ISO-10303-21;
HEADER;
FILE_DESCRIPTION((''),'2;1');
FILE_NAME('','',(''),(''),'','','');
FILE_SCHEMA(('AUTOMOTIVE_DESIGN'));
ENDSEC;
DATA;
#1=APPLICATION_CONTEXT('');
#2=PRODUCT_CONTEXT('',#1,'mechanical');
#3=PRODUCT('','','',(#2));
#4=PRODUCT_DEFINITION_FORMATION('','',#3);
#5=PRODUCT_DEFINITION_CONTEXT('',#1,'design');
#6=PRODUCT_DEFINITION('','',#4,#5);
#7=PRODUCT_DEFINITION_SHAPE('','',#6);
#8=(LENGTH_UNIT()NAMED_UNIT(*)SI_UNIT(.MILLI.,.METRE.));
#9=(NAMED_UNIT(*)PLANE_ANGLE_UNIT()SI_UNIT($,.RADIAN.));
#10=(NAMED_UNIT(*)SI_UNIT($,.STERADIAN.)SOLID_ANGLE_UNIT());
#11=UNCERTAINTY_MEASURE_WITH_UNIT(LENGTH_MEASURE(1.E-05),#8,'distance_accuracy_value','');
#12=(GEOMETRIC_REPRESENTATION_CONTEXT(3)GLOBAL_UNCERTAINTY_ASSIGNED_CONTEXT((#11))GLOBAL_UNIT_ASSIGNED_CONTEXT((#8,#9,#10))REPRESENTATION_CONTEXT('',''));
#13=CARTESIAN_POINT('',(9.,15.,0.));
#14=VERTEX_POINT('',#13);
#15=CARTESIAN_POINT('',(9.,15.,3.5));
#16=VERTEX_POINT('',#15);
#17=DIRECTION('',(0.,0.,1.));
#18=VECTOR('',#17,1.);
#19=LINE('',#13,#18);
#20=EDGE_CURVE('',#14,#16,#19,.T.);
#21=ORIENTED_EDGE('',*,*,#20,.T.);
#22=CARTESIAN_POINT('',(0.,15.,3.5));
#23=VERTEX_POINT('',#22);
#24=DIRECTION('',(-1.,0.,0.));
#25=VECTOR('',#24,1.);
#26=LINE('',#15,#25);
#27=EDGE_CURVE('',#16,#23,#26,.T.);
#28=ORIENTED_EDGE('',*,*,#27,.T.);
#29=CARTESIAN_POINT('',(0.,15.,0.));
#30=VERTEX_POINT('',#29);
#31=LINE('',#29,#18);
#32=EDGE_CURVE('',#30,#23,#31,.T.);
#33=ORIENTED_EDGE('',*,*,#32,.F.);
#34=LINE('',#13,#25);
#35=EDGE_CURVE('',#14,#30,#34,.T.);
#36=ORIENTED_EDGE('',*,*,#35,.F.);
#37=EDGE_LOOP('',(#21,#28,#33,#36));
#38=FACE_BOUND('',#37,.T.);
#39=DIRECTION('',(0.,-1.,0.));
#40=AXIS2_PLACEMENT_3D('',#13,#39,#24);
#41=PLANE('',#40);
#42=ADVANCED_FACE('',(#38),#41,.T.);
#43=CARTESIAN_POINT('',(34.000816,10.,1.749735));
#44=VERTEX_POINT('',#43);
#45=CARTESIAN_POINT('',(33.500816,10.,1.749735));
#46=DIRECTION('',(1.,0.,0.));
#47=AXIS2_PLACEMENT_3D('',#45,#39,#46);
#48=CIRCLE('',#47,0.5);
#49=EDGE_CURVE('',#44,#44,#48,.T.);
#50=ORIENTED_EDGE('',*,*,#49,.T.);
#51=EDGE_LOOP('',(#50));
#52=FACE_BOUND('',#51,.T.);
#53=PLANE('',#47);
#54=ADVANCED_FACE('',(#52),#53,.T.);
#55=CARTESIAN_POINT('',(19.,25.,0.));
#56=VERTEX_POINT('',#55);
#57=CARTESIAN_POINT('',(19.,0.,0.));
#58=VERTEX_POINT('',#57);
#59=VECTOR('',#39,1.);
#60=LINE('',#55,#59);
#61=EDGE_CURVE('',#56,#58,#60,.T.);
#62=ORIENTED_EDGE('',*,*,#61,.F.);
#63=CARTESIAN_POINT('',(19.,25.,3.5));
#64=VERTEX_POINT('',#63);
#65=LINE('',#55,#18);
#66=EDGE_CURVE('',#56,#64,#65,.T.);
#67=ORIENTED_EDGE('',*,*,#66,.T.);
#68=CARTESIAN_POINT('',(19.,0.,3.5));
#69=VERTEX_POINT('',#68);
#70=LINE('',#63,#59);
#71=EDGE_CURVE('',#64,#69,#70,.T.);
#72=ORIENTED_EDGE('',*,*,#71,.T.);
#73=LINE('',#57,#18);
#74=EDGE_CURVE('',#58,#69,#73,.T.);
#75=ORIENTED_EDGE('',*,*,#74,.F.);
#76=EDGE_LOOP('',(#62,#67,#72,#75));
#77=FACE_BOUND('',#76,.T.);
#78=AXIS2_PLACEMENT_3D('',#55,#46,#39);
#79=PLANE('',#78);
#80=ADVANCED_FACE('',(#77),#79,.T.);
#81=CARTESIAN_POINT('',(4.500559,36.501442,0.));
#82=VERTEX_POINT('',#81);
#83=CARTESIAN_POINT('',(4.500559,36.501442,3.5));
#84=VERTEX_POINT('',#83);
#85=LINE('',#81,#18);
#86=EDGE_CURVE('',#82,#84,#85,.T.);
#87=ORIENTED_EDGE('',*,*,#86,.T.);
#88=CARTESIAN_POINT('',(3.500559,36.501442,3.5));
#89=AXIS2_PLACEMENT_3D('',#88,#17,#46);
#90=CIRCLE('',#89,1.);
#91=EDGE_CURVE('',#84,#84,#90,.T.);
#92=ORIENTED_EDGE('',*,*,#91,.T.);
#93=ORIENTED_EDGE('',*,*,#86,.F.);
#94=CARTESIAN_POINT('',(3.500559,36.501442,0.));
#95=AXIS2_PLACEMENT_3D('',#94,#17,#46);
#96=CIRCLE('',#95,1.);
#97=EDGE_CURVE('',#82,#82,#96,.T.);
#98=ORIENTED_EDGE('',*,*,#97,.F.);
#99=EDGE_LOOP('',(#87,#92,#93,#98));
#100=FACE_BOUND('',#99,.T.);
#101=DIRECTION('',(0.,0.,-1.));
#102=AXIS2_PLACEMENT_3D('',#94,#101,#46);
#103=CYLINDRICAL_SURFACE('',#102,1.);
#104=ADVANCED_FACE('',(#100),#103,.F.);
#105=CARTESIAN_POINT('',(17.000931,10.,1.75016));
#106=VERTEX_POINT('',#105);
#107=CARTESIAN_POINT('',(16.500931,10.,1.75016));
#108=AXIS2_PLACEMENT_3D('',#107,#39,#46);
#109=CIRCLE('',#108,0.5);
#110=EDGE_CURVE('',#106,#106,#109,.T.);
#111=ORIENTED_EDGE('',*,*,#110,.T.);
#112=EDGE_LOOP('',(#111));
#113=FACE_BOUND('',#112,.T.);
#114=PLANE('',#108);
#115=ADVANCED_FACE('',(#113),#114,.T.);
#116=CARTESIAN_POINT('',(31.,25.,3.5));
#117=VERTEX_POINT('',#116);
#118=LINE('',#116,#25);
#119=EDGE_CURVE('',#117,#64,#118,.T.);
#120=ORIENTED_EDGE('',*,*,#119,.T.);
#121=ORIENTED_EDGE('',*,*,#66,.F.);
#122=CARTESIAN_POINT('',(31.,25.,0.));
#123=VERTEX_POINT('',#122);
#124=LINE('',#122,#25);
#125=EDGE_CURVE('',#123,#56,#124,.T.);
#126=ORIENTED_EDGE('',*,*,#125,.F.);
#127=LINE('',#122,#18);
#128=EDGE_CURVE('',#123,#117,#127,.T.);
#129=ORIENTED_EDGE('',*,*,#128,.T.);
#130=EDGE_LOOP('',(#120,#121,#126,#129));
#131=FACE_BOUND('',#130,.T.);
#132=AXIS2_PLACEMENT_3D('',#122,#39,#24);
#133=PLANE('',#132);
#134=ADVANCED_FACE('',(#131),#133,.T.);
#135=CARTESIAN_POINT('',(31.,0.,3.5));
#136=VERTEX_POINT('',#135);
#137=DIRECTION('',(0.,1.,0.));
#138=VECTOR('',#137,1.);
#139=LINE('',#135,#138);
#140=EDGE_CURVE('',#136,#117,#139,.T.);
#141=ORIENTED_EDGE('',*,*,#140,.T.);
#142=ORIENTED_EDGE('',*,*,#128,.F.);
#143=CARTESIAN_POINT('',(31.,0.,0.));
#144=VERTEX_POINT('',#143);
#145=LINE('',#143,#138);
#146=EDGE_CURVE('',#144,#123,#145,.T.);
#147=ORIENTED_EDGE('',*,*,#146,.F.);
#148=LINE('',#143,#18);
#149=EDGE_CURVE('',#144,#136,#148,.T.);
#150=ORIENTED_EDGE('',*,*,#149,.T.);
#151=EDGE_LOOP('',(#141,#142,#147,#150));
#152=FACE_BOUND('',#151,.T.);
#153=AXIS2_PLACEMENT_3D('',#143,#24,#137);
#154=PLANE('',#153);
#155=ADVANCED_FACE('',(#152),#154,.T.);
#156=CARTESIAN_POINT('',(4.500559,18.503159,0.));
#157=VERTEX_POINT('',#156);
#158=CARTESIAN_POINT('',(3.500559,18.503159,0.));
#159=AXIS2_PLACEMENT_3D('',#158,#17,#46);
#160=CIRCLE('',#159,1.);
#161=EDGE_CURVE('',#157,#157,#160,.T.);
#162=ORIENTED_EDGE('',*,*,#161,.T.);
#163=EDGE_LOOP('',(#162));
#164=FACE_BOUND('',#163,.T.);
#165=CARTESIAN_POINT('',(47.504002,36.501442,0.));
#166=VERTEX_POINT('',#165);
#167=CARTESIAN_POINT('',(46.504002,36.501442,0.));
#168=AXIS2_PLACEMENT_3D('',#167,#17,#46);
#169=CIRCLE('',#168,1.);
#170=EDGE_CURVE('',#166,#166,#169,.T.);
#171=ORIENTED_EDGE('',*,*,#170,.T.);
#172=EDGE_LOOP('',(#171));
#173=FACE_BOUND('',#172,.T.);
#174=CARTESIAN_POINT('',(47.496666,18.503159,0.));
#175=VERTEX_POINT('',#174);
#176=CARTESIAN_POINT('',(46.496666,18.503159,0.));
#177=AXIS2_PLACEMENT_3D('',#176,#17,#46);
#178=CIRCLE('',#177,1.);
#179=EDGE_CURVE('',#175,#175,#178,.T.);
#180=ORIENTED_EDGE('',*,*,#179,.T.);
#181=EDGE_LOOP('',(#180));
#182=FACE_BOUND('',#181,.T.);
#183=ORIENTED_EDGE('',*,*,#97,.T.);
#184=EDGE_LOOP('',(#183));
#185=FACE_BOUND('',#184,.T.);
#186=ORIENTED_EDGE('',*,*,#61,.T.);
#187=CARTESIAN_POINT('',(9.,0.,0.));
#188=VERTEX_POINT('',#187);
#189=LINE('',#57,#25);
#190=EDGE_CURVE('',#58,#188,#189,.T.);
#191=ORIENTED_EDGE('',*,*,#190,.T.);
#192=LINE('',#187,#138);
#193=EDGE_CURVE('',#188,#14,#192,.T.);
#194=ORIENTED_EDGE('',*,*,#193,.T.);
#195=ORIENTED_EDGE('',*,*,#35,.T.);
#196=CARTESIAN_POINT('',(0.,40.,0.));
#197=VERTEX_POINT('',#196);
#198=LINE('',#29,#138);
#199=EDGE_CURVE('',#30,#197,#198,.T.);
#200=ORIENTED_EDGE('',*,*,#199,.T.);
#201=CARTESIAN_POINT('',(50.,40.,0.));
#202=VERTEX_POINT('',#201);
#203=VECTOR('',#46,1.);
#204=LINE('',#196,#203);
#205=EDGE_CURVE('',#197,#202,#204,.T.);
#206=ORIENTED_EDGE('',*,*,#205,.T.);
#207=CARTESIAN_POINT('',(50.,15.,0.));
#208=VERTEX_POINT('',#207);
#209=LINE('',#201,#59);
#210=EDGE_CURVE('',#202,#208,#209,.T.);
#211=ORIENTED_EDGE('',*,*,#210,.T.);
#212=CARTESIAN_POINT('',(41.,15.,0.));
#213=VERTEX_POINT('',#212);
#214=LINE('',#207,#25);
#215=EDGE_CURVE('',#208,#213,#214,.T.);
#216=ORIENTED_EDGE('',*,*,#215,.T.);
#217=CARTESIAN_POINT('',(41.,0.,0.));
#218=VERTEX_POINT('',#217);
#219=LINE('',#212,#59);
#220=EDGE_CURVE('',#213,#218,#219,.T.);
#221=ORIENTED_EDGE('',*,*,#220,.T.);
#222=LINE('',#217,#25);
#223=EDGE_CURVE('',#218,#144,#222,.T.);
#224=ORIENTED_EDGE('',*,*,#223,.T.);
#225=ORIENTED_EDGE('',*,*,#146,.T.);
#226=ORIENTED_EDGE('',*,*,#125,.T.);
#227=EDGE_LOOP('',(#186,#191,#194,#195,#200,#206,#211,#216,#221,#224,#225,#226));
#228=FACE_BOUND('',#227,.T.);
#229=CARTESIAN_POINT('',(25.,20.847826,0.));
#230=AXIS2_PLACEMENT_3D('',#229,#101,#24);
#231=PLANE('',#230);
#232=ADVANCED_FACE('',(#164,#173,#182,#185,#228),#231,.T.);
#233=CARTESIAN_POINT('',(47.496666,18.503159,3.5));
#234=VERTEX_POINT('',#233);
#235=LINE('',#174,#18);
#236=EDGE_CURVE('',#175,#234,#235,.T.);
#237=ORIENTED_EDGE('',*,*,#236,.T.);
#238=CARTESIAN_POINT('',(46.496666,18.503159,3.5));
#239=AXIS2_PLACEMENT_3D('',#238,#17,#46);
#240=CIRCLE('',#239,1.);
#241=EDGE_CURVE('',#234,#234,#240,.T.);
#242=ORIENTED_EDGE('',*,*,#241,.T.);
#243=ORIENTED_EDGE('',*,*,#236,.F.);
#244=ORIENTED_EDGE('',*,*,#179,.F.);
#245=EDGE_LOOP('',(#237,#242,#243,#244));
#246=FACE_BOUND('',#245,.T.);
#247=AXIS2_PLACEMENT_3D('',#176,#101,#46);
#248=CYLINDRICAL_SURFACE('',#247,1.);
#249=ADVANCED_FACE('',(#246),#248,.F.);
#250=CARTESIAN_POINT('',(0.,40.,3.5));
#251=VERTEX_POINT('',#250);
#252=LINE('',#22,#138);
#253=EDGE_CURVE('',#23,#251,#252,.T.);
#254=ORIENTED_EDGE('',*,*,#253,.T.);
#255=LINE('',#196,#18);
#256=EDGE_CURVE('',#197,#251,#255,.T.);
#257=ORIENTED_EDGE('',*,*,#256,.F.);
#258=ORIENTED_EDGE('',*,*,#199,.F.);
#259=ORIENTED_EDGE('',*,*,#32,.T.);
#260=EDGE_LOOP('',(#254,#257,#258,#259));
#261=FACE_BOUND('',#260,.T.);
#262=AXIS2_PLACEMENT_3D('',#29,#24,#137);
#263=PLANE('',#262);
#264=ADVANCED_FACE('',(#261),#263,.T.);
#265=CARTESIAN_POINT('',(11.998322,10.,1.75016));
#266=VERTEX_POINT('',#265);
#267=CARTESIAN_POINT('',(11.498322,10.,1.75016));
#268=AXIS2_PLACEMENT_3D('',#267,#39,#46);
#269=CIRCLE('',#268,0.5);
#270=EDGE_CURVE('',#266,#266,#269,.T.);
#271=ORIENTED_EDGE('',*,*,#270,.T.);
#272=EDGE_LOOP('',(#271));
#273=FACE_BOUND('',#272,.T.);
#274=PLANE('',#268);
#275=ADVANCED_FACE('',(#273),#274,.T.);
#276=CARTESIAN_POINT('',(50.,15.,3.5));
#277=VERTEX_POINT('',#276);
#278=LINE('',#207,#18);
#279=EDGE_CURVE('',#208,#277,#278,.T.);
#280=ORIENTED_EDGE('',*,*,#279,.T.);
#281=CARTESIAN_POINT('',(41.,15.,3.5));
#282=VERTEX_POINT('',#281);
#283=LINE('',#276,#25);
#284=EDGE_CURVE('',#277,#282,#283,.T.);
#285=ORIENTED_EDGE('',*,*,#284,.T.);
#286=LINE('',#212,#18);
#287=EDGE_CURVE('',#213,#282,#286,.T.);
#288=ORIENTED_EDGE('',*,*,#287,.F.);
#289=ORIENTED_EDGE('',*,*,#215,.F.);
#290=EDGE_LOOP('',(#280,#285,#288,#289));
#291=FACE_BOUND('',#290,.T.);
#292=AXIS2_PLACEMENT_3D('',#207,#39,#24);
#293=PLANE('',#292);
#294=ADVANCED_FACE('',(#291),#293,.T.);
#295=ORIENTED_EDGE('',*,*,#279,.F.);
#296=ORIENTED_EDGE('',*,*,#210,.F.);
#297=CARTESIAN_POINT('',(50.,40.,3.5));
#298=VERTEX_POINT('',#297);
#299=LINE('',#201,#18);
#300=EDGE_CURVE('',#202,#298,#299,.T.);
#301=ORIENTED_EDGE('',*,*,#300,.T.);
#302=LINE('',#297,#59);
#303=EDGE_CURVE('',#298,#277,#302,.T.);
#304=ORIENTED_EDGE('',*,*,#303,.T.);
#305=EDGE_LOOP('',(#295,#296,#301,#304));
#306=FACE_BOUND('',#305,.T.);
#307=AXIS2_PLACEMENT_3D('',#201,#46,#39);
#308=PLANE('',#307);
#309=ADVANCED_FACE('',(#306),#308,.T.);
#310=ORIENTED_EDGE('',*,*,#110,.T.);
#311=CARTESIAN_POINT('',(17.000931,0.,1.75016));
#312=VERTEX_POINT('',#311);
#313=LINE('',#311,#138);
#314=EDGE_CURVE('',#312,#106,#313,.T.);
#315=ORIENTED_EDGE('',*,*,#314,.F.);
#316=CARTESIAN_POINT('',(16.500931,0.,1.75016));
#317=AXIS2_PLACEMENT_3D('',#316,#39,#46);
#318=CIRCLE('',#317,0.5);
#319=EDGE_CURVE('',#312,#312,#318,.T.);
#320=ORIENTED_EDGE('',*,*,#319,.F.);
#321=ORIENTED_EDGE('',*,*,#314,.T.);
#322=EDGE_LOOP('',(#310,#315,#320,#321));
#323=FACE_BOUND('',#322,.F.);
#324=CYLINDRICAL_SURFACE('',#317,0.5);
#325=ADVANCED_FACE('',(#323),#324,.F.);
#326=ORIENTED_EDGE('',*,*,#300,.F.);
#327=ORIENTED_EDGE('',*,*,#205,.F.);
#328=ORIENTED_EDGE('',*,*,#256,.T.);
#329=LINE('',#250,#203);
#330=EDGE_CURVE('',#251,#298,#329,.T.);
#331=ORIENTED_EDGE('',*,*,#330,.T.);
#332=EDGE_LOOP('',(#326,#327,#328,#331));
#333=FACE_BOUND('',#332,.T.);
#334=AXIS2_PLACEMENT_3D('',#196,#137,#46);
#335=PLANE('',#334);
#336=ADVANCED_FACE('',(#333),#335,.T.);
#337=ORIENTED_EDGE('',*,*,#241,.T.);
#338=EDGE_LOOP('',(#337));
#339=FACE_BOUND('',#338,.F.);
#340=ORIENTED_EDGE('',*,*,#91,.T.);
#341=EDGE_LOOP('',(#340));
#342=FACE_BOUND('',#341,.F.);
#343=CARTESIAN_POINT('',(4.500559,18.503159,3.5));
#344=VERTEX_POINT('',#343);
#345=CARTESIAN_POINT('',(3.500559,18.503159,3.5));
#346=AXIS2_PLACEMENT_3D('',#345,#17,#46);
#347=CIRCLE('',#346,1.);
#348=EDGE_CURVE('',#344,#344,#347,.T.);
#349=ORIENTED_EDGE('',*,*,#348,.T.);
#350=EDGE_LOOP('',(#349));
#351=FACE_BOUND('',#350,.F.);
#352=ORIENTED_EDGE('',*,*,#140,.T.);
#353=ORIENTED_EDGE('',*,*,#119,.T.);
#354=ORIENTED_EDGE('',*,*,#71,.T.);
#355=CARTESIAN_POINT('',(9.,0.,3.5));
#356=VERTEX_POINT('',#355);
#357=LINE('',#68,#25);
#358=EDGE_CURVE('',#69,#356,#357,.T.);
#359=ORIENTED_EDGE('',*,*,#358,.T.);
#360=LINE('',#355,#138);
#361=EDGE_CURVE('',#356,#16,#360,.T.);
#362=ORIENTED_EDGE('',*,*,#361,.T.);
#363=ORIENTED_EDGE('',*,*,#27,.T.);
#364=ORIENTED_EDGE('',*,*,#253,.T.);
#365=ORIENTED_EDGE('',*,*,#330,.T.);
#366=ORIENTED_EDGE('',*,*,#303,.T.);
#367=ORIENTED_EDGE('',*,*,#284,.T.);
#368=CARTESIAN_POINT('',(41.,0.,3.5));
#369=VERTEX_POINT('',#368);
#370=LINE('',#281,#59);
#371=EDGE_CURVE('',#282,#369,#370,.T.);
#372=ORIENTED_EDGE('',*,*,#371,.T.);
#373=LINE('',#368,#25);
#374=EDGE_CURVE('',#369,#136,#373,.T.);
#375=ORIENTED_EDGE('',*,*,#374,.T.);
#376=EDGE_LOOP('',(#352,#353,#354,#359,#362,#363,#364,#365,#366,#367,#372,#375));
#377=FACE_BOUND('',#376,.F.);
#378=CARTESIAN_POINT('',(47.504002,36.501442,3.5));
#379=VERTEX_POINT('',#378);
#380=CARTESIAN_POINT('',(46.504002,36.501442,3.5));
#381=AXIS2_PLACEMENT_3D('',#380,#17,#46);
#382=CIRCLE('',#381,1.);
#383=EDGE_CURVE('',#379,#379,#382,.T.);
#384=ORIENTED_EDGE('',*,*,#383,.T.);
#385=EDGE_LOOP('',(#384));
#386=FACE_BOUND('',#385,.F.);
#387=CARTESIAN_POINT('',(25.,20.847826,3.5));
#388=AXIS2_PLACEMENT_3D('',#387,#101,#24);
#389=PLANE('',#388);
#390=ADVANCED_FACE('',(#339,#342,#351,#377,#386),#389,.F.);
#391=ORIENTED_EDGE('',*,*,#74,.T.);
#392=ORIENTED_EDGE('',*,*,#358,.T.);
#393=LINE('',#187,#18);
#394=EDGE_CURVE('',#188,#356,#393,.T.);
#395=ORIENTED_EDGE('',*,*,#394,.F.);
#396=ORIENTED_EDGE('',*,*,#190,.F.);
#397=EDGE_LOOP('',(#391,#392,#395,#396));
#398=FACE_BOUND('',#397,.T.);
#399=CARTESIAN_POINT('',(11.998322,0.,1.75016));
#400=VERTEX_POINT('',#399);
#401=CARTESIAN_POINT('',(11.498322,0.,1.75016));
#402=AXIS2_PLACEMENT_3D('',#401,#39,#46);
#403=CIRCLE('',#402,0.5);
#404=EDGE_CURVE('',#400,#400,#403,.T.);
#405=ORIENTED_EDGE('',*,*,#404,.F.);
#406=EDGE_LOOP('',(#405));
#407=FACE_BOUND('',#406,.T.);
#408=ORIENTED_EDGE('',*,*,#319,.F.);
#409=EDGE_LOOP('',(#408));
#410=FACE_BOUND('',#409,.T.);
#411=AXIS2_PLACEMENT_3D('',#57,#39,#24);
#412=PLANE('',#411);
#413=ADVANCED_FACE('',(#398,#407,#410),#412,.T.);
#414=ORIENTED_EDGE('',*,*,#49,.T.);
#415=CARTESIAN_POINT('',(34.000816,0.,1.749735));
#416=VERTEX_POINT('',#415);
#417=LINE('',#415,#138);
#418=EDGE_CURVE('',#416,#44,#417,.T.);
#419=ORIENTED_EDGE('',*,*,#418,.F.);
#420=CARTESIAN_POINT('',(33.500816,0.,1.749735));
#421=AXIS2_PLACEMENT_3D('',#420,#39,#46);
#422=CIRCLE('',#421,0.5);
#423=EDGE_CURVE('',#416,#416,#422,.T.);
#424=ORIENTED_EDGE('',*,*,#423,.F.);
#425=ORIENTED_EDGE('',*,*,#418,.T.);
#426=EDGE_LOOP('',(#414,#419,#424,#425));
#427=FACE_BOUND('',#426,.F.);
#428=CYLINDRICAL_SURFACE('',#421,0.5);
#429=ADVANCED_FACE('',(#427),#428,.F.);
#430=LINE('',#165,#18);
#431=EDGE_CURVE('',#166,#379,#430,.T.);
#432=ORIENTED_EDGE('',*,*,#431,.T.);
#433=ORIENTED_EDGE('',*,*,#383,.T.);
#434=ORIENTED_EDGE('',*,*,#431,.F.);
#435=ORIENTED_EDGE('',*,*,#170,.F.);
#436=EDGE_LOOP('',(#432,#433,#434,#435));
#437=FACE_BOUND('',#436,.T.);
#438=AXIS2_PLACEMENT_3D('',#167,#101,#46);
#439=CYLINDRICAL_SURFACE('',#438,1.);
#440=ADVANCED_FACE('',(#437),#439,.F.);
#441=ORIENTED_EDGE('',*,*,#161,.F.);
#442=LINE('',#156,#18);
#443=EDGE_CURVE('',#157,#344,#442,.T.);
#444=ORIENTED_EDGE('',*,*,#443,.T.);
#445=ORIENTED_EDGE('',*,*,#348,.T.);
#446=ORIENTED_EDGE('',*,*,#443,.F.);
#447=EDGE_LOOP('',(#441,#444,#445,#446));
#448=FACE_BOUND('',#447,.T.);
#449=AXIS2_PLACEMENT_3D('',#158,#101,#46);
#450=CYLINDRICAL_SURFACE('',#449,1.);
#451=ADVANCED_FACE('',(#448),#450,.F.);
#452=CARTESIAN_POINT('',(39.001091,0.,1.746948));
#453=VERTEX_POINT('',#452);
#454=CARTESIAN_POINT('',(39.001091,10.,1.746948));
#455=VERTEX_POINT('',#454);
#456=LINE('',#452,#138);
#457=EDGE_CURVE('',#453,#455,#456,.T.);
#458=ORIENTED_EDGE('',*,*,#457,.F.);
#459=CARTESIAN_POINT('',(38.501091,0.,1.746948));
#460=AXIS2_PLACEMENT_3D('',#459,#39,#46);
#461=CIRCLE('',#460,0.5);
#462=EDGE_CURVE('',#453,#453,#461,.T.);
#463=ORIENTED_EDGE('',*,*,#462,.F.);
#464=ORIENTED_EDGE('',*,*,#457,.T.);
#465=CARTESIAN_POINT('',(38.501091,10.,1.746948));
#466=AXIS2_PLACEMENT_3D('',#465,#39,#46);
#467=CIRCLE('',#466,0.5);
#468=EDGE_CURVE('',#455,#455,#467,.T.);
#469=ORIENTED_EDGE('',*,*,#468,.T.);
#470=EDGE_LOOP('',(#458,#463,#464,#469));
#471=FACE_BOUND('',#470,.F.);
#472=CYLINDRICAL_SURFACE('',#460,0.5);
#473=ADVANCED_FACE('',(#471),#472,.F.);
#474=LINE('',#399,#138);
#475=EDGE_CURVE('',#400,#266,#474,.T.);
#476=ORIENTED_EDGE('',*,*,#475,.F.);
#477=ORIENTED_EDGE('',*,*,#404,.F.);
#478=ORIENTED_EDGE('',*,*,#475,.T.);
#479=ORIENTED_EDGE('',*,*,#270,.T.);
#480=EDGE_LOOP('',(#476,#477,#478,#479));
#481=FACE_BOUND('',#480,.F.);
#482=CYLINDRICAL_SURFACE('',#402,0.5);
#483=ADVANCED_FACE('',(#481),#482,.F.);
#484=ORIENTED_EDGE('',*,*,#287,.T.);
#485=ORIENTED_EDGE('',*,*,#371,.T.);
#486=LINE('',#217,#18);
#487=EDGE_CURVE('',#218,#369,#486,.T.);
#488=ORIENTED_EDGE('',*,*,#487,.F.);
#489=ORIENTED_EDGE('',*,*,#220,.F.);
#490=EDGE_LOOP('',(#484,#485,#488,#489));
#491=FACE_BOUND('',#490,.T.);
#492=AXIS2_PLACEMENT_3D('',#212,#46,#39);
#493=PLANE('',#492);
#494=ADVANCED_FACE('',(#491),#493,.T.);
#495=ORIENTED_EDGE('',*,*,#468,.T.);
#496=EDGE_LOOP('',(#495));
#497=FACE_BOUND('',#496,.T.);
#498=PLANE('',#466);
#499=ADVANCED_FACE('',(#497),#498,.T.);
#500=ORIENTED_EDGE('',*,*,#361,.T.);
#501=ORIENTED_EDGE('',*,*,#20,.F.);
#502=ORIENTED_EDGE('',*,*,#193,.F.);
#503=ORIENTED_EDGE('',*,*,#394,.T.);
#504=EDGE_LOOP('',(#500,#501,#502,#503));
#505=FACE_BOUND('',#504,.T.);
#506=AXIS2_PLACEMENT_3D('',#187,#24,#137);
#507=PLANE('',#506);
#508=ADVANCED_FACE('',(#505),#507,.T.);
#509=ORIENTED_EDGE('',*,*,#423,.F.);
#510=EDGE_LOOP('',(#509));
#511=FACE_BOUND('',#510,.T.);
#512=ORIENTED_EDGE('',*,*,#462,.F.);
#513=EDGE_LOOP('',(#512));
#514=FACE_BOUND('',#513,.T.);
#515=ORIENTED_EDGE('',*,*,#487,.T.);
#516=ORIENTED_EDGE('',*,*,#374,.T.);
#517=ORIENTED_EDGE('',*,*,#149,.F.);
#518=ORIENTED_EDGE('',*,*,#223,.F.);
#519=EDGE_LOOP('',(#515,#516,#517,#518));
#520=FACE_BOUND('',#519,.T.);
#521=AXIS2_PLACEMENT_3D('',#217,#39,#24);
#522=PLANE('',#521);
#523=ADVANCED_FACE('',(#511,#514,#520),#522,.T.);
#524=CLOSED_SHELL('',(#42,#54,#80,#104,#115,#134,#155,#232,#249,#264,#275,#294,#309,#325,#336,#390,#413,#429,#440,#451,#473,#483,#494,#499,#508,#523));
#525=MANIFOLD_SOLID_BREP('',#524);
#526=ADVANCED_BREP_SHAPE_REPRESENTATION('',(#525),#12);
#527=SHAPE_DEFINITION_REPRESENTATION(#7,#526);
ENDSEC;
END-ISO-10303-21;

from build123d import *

# Parameters (mm, degrees)
SKETCH001_R  = 1
PAD_DEPTH    = 3.5
SKETCH002_R  = 0.5
POCKET_DEPTH = 10


with BuildPart() as part:
    # Sketch001 → Pad (new body)
    with BuildSketch(Plane.XY):
        Polygon((9, 0), (9, 15), (0, 15), (0, 40), (50, 40), (50, 15), (41, 15), (41, 0), (31, 0), (31, 25), (19, 25), (19, 0), align=None)
        with Locations((46.504002, 36.501442)):
            Circle(SKETCH001_R, mode=Mode.SUBTRACT)
        with Locations((3.500559, 36.501442)):
            Circle(SKETCH001_R, mode=Mode.SUBTRACT)
        with Locations((3.500559, 18.503159)):
            Circle(SKETCH001_R, mode=Mode.SUBTRACT)
        with Locations((46.496666, 18.503159)):
            Circle(SKETCH001_R, mode=Mode.SUBTRACT)
    extrude(amount=PAD_DEPTH)

    # Sketch002 (on Face9 of Pad) → Pocket (cut)
    with BuildSketch(Plane.XZ):
        with Locations((38.501091, 1.746948)):
            Circle(SKETCH002_R)
        with Locations((33.500816, 1.749735)):
            Circle(SKETCH002_R)
        with Locations((16.500931, 1.75016)):
            Circle(SKETCH002_R)
        with Locations((11.498322, 1.75016)):
            Circle(SKETCH002_R)
    extrude(amount=-POCKET_DEPTH, mode=Mode.SUBTRACT)


solid = part.part
